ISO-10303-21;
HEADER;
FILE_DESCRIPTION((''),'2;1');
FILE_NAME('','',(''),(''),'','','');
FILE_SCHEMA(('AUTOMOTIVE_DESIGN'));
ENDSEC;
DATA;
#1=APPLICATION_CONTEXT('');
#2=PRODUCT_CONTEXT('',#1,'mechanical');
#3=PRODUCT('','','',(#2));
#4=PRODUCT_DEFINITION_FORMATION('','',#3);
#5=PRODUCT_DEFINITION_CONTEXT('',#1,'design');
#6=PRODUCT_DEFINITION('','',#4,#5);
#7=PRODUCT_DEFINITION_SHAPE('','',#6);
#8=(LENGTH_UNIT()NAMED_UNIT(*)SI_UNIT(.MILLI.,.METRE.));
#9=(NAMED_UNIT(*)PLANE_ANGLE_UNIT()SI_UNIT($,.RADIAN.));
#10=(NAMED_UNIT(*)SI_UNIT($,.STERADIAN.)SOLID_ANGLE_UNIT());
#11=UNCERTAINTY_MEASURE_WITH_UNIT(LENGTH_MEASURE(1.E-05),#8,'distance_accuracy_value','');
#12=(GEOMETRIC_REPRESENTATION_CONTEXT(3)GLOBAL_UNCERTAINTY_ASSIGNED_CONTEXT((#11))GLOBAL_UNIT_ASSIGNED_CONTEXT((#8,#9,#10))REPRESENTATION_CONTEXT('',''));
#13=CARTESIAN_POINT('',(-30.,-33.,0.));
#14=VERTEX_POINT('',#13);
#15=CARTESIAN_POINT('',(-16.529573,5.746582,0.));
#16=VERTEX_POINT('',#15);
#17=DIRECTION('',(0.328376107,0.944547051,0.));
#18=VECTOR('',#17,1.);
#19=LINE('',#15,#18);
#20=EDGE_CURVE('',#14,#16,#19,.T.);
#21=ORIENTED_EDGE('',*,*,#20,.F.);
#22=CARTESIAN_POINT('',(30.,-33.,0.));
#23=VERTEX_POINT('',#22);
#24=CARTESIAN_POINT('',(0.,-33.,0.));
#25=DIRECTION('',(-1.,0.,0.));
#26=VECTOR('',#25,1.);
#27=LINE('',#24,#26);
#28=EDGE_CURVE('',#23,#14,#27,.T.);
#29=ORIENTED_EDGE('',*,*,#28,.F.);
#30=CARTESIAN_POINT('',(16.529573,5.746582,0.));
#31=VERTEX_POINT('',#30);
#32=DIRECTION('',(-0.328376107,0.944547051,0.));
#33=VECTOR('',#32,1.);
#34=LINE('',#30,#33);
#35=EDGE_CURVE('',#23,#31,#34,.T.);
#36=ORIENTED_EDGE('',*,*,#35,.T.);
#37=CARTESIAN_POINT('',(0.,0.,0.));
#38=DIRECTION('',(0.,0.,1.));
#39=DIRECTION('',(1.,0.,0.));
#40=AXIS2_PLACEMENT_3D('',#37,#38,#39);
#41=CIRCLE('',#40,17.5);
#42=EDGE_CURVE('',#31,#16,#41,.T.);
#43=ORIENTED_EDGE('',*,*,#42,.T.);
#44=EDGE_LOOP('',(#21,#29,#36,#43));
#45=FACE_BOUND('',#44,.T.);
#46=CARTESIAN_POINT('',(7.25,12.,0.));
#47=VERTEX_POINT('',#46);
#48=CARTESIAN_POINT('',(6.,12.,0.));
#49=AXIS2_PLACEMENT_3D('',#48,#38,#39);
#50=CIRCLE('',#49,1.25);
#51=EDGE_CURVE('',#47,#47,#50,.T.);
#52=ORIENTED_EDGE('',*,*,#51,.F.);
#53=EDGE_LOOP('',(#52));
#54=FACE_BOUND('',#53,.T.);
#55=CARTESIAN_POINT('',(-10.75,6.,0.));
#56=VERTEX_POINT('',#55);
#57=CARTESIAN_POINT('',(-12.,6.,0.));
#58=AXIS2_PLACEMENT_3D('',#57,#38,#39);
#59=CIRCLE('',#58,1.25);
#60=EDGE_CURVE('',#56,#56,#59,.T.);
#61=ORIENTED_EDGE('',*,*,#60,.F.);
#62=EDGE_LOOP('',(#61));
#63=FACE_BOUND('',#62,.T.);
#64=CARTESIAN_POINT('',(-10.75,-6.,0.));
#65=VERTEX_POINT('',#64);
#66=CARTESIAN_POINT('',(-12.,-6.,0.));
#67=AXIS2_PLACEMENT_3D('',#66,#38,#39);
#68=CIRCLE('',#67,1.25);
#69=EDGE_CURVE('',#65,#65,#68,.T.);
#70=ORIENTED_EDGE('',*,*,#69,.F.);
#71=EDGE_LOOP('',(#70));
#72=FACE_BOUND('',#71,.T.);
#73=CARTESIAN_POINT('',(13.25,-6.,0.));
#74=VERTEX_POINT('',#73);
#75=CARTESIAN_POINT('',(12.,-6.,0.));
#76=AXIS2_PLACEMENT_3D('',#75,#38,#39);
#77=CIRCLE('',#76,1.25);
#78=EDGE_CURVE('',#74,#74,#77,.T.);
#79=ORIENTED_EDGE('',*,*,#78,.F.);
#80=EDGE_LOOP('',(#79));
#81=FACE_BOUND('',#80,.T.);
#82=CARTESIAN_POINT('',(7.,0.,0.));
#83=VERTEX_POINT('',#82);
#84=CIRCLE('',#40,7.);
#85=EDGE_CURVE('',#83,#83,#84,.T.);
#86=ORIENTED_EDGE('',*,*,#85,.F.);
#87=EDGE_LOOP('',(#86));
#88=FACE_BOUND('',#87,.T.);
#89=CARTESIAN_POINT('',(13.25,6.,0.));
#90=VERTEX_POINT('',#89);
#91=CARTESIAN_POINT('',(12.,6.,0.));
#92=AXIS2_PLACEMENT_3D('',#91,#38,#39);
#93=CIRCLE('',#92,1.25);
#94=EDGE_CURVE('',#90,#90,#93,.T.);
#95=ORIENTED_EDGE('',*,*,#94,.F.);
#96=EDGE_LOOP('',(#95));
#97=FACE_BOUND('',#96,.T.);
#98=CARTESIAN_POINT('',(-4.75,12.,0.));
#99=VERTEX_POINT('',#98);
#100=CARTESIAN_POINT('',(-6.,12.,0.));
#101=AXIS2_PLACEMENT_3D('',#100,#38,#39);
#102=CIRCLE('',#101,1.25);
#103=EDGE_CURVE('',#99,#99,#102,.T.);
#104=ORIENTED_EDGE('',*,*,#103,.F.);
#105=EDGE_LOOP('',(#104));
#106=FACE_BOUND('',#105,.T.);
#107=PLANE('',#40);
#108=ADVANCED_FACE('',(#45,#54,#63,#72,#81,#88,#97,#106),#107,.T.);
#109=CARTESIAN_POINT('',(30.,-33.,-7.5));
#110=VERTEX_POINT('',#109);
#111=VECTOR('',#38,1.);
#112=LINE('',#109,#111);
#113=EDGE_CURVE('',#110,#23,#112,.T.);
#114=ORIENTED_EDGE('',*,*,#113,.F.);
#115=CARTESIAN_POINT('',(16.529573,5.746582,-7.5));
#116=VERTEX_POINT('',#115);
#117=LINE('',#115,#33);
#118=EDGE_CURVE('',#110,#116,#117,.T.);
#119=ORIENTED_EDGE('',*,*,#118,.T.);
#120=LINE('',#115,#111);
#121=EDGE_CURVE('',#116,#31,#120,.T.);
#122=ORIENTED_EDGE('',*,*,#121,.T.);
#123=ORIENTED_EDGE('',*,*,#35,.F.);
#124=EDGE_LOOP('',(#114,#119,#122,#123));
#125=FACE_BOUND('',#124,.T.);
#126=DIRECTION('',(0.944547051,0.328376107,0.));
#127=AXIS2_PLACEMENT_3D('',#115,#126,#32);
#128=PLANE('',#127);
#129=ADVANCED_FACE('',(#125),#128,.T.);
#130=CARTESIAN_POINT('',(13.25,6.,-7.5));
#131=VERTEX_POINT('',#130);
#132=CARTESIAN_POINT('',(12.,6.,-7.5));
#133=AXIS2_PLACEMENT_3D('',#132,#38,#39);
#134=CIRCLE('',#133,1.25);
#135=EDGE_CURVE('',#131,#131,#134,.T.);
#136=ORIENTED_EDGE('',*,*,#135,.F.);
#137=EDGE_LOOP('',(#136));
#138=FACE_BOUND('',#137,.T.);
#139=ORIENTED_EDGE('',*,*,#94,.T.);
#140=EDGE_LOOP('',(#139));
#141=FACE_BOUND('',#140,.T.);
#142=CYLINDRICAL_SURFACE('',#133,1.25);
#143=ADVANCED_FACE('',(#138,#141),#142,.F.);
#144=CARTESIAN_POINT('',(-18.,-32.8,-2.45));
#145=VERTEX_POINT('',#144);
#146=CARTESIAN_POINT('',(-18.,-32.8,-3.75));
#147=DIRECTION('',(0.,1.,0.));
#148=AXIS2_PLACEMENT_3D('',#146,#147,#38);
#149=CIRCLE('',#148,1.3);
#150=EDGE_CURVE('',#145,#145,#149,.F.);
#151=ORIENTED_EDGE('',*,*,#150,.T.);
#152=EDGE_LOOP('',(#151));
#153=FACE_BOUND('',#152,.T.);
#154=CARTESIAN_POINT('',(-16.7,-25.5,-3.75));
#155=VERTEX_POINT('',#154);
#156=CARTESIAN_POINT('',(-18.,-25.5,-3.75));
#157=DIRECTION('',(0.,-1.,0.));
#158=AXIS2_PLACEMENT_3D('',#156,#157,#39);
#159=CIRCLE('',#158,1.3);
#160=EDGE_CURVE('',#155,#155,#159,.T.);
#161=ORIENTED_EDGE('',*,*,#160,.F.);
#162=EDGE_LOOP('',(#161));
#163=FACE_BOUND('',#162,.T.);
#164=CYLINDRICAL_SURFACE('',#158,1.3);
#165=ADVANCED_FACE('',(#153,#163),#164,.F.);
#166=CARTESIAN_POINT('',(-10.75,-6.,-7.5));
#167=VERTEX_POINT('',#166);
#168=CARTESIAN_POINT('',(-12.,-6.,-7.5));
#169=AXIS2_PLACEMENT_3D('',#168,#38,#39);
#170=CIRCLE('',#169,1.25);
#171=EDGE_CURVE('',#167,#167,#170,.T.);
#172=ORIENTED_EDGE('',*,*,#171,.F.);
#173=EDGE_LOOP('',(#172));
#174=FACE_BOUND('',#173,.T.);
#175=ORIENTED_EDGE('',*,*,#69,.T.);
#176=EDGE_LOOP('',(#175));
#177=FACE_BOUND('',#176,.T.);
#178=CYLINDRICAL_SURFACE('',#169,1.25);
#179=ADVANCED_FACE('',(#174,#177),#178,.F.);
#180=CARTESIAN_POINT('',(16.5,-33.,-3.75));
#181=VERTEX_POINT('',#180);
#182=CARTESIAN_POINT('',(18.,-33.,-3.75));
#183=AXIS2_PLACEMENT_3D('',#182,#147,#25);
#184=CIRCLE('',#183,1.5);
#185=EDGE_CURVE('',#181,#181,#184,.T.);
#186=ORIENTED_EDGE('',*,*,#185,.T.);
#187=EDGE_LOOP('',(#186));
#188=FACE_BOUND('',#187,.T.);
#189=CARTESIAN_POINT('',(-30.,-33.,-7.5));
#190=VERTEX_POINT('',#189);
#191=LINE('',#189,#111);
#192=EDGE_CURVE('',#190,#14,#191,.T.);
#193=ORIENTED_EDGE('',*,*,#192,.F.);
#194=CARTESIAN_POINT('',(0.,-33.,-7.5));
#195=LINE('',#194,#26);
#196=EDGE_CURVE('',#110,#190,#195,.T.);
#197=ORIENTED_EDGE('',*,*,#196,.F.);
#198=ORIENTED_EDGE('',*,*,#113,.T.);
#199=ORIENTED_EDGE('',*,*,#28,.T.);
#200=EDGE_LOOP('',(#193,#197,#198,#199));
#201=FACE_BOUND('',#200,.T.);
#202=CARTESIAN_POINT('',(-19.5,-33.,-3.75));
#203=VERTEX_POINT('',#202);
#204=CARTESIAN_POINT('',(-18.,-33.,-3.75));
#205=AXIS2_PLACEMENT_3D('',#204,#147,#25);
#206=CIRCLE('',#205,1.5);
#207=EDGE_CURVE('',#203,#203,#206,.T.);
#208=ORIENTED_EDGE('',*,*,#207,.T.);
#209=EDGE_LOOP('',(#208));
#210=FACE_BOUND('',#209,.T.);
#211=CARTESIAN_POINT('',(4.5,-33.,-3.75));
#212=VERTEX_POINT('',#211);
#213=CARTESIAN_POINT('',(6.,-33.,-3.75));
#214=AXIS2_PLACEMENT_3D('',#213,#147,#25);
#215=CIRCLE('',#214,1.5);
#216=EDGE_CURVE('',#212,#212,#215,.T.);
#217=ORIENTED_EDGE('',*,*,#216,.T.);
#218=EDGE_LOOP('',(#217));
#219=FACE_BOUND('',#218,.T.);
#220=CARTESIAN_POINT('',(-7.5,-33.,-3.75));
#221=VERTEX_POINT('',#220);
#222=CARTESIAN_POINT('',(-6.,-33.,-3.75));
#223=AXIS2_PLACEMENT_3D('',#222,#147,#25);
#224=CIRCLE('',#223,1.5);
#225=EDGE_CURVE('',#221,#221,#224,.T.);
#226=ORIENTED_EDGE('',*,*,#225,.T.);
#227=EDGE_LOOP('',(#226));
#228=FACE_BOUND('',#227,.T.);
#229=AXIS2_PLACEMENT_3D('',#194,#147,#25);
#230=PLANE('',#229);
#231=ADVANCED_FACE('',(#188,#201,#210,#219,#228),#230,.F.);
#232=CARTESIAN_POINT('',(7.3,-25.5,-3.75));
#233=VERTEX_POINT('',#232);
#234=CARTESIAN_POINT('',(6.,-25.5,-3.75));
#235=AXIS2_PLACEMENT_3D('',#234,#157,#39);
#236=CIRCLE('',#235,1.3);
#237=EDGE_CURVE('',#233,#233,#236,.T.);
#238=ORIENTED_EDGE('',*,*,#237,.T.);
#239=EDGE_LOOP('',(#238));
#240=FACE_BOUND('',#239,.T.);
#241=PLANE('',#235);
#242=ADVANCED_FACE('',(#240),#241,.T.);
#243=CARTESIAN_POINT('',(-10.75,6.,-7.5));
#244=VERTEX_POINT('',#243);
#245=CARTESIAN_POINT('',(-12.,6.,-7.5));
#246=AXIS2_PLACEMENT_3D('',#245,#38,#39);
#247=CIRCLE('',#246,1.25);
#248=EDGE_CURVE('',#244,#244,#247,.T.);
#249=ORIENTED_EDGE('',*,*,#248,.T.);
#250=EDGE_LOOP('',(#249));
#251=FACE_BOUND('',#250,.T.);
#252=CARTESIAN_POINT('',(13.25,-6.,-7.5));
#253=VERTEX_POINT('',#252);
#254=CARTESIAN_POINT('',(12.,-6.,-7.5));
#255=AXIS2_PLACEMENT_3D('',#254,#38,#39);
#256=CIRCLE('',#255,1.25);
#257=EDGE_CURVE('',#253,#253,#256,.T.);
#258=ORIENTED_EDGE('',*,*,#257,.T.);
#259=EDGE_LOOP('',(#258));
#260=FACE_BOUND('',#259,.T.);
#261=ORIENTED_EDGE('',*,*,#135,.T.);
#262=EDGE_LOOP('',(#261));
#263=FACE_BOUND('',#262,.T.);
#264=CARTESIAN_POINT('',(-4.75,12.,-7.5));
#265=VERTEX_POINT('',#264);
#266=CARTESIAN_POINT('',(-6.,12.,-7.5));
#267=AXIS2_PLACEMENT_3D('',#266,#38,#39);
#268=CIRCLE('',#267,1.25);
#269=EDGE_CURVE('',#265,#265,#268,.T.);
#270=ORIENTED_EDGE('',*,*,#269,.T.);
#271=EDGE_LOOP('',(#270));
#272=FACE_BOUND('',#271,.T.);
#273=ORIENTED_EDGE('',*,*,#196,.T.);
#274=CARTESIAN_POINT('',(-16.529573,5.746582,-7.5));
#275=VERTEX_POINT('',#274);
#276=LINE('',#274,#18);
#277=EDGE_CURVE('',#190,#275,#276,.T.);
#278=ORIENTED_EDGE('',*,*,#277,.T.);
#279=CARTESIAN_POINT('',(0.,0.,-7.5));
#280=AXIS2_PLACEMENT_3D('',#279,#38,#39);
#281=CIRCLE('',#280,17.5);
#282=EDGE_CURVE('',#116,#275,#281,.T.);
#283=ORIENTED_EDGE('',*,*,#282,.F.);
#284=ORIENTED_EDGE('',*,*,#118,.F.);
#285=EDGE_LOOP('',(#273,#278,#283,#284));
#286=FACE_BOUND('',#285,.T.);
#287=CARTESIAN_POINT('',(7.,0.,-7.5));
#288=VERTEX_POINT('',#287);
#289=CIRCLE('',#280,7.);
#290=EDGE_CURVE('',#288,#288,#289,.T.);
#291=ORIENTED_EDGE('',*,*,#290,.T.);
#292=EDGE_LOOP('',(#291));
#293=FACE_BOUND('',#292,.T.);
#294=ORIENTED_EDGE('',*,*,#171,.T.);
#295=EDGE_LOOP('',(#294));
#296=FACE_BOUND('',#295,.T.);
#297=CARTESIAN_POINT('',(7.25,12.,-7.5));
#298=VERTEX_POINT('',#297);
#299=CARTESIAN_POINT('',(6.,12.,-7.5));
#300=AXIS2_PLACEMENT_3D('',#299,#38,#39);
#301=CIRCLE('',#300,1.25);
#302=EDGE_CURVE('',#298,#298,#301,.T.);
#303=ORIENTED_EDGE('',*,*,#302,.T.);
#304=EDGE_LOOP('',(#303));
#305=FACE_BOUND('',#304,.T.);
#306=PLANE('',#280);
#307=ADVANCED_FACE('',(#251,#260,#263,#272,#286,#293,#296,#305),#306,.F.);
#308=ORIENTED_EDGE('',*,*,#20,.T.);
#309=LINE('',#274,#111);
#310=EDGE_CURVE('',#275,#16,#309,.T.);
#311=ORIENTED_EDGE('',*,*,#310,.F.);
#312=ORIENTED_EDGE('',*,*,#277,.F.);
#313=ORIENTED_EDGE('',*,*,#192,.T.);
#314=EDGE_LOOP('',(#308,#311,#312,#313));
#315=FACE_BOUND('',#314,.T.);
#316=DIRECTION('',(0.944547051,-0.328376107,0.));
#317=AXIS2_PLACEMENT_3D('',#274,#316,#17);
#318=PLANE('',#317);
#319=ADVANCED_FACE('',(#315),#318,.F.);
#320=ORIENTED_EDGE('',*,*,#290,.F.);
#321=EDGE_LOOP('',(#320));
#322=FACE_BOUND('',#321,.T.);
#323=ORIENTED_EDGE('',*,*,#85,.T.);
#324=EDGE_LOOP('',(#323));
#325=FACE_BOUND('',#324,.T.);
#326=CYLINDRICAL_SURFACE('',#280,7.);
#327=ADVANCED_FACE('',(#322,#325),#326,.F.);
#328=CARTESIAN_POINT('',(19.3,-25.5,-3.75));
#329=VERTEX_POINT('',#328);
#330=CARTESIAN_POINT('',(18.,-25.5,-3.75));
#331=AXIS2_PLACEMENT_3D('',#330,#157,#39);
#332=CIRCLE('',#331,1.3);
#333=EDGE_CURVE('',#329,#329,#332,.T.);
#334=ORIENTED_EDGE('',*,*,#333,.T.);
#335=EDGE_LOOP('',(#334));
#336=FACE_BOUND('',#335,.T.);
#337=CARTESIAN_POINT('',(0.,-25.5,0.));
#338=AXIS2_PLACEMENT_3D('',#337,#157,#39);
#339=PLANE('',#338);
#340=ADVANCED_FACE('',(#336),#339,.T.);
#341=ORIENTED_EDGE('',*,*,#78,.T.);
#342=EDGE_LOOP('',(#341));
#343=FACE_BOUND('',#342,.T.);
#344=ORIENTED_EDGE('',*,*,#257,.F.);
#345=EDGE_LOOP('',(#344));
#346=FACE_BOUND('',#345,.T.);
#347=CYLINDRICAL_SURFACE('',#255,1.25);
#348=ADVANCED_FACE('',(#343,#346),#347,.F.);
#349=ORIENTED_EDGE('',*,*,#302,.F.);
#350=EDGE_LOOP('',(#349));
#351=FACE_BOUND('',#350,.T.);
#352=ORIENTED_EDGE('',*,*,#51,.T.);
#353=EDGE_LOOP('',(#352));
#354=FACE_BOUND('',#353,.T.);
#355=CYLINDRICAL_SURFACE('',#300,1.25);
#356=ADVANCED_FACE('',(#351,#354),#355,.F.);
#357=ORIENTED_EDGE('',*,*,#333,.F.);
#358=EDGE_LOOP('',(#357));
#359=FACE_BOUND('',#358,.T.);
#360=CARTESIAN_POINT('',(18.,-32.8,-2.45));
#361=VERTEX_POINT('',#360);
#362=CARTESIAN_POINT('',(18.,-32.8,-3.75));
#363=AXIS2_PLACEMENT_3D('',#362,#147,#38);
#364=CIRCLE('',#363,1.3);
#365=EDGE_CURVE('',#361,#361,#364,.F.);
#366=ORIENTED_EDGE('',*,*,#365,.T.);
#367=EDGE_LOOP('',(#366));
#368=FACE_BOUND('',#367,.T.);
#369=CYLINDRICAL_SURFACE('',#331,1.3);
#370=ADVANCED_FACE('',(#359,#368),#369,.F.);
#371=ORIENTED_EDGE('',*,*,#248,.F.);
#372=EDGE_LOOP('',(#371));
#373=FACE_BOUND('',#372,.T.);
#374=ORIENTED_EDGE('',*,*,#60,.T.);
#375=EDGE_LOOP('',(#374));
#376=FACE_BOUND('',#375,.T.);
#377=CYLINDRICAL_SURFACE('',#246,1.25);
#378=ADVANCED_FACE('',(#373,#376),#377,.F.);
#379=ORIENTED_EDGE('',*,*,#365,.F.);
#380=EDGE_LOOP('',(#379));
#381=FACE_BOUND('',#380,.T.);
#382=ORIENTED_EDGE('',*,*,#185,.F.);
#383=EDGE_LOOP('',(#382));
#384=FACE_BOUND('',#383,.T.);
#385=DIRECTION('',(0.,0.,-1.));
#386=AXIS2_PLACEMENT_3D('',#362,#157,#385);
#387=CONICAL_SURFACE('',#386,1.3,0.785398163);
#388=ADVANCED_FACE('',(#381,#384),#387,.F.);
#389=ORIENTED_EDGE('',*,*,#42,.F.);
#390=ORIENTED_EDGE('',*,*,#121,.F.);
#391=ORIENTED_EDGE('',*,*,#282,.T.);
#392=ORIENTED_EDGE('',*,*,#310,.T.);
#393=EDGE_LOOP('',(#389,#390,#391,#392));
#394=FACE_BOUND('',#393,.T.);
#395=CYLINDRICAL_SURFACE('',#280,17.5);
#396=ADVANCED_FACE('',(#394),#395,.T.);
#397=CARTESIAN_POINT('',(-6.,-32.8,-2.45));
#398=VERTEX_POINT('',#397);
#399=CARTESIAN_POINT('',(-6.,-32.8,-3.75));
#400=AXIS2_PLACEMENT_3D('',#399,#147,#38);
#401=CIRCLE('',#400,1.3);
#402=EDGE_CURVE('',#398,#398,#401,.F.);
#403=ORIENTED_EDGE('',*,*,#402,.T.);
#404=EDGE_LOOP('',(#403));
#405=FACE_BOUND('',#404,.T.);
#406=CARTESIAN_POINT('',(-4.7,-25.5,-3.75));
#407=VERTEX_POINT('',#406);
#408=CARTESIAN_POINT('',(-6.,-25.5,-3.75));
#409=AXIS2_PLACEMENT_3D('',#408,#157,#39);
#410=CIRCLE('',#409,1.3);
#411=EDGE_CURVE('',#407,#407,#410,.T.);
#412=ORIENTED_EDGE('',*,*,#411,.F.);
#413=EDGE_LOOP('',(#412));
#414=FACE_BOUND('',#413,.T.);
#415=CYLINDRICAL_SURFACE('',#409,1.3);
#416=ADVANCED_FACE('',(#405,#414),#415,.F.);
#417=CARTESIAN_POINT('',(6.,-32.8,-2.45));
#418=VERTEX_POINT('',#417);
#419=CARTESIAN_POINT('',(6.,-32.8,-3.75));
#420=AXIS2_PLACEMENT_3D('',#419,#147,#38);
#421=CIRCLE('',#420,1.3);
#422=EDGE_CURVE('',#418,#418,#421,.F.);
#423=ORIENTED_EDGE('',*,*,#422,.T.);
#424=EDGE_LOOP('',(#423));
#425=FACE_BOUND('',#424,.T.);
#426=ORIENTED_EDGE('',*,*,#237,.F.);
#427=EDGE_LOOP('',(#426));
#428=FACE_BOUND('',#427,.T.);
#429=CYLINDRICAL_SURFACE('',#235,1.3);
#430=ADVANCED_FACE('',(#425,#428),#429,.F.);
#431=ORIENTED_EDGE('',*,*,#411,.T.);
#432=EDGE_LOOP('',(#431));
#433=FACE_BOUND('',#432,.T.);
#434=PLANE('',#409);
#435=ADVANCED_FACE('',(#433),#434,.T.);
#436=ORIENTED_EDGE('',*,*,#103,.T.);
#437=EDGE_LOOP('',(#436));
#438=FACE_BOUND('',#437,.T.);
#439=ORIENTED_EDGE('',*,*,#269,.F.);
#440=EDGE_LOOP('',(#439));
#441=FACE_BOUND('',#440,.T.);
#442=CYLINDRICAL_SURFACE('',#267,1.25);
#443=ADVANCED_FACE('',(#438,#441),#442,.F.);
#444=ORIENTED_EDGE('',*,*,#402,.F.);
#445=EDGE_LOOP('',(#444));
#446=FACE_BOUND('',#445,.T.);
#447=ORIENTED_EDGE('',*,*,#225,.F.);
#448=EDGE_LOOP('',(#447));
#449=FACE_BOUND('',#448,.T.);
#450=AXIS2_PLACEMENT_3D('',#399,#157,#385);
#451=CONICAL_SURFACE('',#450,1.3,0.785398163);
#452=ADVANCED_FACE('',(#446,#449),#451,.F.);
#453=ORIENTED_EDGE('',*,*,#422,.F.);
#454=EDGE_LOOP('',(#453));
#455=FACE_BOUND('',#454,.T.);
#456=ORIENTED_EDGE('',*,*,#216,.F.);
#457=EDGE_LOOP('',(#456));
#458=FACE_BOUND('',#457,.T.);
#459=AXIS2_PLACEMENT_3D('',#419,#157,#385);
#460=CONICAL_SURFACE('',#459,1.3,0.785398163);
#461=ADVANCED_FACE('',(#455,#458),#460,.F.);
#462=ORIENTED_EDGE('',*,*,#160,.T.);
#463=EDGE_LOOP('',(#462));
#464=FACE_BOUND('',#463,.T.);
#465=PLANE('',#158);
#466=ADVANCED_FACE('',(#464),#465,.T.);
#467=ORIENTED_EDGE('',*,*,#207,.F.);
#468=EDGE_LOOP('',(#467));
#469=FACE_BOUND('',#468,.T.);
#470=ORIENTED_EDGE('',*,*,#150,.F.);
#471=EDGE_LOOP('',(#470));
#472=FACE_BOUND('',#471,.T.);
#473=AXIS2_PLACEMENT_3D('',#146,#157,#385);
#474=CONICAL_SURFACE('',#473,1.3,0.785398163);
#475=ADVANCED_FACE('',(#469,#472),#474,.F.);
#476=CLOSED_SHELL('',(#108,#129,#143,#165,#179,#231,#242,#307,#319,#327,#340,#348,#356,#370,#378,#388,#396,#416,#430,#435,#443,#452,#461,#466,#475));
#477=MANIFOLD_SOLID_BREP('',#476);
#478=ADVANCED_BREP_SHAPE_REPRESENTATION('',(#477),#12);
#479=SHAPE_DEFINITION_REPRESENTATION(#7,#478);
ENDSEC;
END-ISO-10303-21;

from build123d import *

# Parameters (mm, degrees)
SKETCH_1_R          = 1.25
EXTRUDE_1_DEPTH     = 7.5
SKETCH_2_R          = 1.3
CUT_EXTRUDE_1_DEPTH = 7.5
CHAMFER_1_SIZE      = 0.2


with BuildPart() as part:
    # 草圖1 → 填料-伸長1 (new body)
    with BuildSketch(Plane.XY):
        with BuildLine():
            Line((-30, -33), (0, -33))
            Line((0, -33), (30, -33))
            Line((30, -33), (16.529573398, 5.746581877))
            ThreePointArc((16.529573398, 5.746581877), (0, 17.5), (-16.529573398, 5.746581877))
            Line((-16.529573398, 5.746581877), (-30, -33))
        make_face()
        with Locations((-12, -6)):
            Circle(SKETCH_1_R, mode=Mode.SUBTRACT)
        with BuildLine():
            ThreePointArc((0, -7), (-7, 0), (0, 7))
            ThreePointArc((0, 7), (4.949747468, 4.949747468), (7, 0))
            ThreePointArc((7, 0), (4.949747468, -4.949747468), (0, -7))
        make_face(mode=Mode.SUBTRACT)
        with Locations((-12, 6)):
            Circle(SKETCH_1_R, mode=Mode.SUBTRACT)
        with Locations((-6, 12)):
            Circle(SKETCH_1_R, mode=Mode.SUBTRACT)
        with Locations((12, -6)):
            Circle(SKETCH_1_R, mode=Mode.SUBTRACT)
        with Locations((12, 6)):
            Circle(SKETCH_1_R, mode=Mode.SUBTRACT)
        with Locations((6, 12)):
            Circle(SKETCH_1_R, mode=Mode.SUBTRACT)
    extrude(amount=-EXTRUDE_1_DEPTH)

    # 草圖2 → 除料-伸長1 (cut)
    with BuildSketch(Plane(origin=(0, -33, 0), x_dir=(-1, 0, 0), z_dir=(0, -1, 0))):
        with Locations((-18, 3.75)):
            Circle(SKETCH_2_R)
        with Locations((-6, 3.75)):
            Circle(SKETCH_2_R)
        with Locations((6, 3.75)):
            Circle(SKETCH_2_R)
        with Locations((18, 3.75)):
            Circle(SKETCH_2_R)
    extrude(amount=-CUT_EXTRUDE_1_DEPTH, mode=Mode.SUBTRACT)

    # 導角1
    chamfer_1_edges = [part.edges().sort_by_distance(p)[0] for p in [
        (-16.7, -33, -3.75),
        (-4.7, -33, -3.75),
        (7.3, -33, -3.75),
        (19.3, -33, -3.75),
    ]]
    chamfer(chamfer_1_edges, length=CHAMFER_1_SIZE)


solid = part.part
